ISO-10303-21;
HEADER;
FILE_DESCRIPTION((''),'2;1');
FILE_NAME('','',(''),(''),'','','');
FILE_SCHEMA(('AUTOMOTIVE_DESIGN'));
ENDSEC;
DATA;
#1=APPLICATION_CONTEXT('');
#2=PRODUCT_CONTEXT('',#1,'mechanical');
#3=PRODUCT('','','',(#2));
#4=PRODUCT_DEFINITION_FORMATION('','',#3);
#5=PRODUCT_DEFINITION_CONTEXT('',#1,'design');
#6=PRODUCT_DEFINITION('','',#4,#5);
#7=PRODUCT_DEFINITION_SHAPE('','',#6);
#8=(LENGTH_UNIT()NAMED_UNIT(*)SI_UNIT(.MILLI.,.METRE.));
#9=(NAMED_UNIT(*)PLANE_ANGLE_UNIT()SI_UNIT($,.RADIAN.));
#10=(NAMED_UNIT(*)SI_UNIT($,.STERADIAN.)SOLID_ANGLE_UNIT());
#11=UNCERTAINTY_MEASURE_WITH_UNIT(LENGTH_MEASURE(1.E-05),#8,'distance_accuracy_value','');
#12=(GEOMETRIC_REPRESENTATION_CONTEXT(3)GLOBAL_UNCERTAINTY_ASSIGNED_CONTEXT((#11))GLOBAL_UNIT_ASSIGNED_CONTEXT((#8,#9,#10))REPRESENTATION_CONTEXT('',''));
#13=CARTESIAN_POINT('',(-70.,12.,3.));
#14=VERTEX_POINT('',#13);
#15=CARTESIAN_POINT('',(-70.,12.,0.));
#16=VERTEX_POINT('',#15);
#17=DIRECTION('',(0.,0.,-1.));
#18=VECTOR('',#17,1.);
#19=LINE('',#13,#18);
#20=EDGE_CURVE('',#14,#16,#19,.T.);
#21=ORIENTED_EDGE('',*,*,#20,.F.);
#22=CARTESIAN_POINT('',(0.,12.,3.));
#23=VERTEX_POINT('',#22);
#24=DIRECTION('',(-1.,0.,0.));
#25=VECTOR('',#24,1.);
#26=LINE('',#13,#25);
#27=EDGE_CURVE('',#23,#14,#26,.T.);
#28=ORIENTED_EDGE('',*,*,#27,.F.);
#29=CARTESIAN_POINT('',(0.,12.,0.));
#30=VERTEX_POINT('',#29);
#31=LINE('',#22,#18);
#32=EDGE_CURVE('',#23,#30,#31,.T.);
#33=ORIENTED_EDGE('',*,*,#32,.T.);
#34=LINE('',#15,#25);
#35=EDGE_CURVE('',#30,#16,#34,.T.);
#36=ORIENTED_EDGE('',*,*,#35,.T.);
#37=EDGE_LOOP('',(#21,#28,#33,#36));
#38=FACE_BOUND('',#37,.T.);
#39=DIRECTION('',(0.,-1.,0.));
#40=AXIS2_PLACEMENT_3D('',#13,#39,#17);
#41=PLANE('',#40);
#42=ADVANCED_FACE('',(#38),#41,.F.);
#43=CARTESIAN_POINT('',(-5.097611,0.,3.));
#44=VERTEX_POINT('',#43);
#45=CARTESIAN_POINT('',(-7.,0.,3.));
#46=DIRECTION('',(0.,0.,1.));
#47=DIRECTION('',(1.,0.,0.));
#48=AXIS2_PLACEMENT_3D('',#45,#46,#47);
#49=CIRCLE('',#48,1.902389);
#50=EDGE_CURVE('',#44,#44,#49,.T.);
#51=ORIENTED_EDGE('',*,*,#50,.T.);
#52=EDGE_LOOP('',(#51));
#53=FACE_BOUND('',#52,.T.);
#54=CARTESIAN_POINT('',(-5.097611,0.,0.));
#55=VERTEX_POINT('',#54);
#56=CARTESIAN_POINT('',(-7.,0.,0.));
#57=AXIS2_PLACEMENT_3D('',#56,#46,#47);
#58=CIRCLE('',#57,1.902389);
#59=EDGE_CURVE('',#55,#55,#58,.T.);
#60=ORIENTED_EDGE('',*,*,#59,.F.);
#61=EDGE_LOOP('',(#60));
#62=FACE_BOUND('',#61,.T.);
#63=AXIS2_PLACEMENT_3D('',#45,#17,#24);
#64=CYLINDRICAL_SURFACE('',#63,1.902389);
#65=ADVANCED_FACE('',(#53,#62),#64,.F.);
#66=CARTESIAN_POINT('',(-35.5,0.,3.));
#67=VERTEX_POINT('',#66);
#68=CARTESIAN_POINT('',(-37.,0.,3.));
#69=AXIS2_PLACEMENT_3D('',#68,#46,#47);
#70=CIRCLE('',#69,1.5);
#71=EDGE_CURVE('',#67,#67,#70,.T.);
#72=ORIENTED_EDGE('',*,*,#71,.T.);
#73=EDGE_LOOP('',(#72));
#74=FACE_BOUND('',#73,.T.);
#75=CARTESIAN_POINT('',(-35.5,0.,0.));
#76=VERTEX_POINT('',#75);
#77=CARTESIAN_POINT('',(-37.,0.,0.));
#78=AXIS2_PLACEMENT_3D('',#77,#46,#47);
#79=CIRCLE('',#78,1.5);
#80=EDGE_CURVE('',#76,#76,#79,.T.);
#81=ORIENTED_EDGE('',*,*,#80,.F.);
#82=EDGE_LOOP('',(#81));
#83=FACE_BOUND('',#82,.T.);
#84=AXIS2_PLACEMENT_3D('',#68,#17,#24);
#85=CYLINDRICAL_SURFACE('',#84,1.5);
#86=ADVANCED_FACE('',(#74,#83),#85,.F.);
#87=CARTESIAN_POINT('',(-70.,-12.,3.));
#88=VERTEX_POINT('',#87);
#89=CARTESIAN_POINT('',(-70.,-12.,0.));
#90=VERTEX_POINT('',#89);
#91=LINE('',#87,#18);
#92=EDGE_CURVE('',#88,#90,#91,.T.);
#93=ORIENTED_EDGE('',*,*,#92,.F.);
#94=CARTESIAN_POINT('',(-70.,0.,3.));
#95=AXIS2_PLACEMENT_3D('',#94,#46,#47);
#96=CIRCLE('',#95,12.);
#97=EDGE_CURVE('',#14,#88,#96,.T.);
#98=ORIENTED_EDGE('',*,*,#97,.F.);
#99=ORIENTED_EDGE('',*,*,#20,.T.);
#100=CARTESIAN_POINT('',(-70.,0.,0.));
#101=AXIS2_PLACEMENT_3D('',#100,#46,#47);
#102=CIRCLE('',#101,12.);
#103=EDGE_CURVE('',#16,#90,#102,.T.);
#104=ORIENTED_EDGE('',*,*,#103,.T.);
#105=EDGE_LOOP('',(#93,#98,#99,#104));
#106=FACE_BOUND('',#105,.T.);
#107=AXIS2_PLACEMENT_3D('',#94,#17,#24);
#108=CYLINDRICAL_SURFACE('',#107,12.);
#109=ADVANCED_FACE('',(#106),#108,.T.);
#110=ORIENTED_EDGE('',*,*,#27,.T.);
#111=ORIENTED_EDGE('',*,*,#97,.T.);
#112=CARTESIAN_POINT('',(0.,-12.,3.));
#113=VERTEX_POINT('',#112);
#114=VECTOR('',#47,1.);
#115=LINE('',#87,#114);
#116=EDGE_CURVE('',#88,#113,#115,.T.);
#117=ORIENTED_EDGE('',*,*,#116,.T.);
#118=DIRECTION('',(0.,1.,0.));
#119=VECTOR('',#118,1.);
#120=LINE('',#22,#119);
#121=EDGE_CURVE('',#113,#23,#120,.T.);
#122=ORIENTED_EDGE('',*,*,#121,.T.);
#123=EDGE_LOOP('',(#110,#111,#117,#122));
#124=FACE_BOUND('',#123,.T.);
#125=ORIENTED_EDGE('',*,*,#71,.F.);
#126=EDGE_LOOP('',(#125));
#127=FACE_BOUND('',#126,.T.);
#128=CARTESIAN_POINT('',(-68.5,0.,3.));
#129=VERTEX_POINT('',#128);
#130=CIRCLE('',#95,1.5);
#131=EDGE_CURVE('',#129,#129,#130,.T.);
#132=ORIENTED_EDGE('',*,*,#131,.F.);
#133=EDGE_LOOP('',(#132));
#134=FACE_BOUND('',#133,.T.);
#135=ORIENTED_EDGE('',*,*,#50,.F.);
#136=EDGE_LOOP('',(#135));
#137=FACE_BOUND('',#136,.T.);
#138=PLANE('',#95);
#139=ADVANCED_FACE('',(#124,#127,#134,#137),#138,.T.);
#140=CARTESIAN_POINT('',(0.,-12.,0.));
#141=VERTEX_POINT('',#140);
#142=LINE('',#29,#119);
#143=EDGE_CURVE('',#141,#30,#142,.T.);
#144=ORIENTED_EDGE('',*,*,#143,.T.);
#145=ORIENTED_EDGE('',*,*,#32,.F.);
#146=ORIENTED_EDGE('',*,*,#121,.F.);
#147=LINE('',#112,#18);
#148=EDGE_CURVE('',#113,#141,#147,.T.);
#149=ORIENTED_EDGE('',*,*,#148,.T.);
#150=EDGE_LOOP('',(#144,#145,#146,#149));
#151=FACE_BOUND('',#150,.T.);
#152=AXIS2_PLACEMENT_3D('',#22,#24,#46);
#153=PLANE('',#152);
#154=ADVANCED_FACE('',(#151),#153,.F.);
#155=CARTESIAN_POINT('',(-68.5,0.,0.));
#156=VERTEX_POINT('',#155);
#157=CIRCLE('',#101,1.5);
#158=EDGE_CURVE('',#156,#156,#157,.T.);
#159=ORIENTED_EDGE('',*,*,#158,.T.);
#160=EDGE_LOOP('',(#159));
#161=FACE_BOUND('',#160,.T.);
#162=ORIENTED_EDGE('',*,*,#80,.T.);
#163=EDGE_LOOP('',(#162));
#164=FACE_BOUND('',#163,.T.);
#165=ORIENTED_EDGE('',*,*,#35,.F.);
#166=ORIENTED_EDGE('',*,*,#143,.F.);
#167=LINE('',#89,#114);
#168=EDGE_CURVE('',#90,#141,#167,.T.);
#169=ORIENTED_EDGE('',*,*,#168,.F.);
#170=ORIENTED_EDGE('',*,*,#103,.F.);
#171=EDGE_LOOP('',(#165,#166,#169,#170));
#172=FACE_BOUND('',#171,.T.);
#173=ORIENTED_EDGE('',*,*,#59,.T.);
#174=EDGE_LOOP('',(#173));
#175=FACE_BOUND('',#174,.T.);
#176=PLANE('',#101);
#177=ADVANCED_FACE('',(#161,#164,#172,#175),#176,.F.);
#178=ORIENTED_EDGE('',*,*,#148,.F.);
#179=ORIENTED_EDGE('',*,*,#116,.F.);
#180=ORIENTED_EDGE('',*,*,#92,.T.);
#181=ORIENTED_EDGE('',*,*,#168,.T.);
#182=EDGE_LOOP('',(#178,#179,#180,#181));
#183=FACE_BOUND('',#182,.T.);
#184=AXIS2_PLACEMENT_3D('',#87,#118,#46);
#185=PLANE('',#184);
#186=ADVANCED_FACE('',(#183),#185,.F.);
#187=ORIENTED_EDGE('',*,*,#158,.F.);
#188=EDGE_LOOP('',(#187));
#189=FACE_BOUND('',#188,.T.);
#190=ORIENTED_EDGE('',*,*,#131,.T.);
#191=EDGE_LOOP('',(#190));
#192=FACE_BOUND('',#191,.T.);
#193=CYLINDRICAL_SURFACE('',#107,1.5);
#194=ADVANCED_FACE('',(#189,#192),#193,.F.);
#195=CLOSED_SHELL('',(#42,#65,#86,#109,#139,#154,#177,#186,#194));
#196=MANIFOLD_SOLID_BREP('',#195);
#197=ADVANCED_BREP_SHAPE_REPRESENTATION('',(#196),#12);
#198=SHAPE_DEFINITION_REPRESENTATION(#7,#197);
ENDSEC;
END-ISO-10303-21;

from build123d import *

# Parameters (mm, degrees)
ESQUISSE1_R        = 1.5
ESQUISSE1_R_2      = 1.902389191
BOSS_EXTRU_1_DEPTH = 3


with BuildPart() as part:
    # Esquisse1 → Boss.-Extru.1 (new body)
    with BuildSketch(Plane.XY):
        with BuildLine():
            Line((-70, 12), (0, 12))
            Line((0, 12), (0, -12))
            Line((0, -12), (-70, -12))
            ThreePointArc((-70, -12), (-82, 0), (-70, 12))
        make_face()
        with Locations((-37, 0)):
            Circle(ESQUISSE1_R, mode=Mode.SUBTRACT)
        with Locations((-70, 0)):
            Circle(ESQUISSE1_R, mode=Mode.SUBTRACT)
        with Locations((-7, 0)):
            Circle(ESQUISSE1_R_2, mode=Mode.SUBTRACT)
    extrude(amount=BOSS_EXTRU_1_DEPTH)


solid = part.part
